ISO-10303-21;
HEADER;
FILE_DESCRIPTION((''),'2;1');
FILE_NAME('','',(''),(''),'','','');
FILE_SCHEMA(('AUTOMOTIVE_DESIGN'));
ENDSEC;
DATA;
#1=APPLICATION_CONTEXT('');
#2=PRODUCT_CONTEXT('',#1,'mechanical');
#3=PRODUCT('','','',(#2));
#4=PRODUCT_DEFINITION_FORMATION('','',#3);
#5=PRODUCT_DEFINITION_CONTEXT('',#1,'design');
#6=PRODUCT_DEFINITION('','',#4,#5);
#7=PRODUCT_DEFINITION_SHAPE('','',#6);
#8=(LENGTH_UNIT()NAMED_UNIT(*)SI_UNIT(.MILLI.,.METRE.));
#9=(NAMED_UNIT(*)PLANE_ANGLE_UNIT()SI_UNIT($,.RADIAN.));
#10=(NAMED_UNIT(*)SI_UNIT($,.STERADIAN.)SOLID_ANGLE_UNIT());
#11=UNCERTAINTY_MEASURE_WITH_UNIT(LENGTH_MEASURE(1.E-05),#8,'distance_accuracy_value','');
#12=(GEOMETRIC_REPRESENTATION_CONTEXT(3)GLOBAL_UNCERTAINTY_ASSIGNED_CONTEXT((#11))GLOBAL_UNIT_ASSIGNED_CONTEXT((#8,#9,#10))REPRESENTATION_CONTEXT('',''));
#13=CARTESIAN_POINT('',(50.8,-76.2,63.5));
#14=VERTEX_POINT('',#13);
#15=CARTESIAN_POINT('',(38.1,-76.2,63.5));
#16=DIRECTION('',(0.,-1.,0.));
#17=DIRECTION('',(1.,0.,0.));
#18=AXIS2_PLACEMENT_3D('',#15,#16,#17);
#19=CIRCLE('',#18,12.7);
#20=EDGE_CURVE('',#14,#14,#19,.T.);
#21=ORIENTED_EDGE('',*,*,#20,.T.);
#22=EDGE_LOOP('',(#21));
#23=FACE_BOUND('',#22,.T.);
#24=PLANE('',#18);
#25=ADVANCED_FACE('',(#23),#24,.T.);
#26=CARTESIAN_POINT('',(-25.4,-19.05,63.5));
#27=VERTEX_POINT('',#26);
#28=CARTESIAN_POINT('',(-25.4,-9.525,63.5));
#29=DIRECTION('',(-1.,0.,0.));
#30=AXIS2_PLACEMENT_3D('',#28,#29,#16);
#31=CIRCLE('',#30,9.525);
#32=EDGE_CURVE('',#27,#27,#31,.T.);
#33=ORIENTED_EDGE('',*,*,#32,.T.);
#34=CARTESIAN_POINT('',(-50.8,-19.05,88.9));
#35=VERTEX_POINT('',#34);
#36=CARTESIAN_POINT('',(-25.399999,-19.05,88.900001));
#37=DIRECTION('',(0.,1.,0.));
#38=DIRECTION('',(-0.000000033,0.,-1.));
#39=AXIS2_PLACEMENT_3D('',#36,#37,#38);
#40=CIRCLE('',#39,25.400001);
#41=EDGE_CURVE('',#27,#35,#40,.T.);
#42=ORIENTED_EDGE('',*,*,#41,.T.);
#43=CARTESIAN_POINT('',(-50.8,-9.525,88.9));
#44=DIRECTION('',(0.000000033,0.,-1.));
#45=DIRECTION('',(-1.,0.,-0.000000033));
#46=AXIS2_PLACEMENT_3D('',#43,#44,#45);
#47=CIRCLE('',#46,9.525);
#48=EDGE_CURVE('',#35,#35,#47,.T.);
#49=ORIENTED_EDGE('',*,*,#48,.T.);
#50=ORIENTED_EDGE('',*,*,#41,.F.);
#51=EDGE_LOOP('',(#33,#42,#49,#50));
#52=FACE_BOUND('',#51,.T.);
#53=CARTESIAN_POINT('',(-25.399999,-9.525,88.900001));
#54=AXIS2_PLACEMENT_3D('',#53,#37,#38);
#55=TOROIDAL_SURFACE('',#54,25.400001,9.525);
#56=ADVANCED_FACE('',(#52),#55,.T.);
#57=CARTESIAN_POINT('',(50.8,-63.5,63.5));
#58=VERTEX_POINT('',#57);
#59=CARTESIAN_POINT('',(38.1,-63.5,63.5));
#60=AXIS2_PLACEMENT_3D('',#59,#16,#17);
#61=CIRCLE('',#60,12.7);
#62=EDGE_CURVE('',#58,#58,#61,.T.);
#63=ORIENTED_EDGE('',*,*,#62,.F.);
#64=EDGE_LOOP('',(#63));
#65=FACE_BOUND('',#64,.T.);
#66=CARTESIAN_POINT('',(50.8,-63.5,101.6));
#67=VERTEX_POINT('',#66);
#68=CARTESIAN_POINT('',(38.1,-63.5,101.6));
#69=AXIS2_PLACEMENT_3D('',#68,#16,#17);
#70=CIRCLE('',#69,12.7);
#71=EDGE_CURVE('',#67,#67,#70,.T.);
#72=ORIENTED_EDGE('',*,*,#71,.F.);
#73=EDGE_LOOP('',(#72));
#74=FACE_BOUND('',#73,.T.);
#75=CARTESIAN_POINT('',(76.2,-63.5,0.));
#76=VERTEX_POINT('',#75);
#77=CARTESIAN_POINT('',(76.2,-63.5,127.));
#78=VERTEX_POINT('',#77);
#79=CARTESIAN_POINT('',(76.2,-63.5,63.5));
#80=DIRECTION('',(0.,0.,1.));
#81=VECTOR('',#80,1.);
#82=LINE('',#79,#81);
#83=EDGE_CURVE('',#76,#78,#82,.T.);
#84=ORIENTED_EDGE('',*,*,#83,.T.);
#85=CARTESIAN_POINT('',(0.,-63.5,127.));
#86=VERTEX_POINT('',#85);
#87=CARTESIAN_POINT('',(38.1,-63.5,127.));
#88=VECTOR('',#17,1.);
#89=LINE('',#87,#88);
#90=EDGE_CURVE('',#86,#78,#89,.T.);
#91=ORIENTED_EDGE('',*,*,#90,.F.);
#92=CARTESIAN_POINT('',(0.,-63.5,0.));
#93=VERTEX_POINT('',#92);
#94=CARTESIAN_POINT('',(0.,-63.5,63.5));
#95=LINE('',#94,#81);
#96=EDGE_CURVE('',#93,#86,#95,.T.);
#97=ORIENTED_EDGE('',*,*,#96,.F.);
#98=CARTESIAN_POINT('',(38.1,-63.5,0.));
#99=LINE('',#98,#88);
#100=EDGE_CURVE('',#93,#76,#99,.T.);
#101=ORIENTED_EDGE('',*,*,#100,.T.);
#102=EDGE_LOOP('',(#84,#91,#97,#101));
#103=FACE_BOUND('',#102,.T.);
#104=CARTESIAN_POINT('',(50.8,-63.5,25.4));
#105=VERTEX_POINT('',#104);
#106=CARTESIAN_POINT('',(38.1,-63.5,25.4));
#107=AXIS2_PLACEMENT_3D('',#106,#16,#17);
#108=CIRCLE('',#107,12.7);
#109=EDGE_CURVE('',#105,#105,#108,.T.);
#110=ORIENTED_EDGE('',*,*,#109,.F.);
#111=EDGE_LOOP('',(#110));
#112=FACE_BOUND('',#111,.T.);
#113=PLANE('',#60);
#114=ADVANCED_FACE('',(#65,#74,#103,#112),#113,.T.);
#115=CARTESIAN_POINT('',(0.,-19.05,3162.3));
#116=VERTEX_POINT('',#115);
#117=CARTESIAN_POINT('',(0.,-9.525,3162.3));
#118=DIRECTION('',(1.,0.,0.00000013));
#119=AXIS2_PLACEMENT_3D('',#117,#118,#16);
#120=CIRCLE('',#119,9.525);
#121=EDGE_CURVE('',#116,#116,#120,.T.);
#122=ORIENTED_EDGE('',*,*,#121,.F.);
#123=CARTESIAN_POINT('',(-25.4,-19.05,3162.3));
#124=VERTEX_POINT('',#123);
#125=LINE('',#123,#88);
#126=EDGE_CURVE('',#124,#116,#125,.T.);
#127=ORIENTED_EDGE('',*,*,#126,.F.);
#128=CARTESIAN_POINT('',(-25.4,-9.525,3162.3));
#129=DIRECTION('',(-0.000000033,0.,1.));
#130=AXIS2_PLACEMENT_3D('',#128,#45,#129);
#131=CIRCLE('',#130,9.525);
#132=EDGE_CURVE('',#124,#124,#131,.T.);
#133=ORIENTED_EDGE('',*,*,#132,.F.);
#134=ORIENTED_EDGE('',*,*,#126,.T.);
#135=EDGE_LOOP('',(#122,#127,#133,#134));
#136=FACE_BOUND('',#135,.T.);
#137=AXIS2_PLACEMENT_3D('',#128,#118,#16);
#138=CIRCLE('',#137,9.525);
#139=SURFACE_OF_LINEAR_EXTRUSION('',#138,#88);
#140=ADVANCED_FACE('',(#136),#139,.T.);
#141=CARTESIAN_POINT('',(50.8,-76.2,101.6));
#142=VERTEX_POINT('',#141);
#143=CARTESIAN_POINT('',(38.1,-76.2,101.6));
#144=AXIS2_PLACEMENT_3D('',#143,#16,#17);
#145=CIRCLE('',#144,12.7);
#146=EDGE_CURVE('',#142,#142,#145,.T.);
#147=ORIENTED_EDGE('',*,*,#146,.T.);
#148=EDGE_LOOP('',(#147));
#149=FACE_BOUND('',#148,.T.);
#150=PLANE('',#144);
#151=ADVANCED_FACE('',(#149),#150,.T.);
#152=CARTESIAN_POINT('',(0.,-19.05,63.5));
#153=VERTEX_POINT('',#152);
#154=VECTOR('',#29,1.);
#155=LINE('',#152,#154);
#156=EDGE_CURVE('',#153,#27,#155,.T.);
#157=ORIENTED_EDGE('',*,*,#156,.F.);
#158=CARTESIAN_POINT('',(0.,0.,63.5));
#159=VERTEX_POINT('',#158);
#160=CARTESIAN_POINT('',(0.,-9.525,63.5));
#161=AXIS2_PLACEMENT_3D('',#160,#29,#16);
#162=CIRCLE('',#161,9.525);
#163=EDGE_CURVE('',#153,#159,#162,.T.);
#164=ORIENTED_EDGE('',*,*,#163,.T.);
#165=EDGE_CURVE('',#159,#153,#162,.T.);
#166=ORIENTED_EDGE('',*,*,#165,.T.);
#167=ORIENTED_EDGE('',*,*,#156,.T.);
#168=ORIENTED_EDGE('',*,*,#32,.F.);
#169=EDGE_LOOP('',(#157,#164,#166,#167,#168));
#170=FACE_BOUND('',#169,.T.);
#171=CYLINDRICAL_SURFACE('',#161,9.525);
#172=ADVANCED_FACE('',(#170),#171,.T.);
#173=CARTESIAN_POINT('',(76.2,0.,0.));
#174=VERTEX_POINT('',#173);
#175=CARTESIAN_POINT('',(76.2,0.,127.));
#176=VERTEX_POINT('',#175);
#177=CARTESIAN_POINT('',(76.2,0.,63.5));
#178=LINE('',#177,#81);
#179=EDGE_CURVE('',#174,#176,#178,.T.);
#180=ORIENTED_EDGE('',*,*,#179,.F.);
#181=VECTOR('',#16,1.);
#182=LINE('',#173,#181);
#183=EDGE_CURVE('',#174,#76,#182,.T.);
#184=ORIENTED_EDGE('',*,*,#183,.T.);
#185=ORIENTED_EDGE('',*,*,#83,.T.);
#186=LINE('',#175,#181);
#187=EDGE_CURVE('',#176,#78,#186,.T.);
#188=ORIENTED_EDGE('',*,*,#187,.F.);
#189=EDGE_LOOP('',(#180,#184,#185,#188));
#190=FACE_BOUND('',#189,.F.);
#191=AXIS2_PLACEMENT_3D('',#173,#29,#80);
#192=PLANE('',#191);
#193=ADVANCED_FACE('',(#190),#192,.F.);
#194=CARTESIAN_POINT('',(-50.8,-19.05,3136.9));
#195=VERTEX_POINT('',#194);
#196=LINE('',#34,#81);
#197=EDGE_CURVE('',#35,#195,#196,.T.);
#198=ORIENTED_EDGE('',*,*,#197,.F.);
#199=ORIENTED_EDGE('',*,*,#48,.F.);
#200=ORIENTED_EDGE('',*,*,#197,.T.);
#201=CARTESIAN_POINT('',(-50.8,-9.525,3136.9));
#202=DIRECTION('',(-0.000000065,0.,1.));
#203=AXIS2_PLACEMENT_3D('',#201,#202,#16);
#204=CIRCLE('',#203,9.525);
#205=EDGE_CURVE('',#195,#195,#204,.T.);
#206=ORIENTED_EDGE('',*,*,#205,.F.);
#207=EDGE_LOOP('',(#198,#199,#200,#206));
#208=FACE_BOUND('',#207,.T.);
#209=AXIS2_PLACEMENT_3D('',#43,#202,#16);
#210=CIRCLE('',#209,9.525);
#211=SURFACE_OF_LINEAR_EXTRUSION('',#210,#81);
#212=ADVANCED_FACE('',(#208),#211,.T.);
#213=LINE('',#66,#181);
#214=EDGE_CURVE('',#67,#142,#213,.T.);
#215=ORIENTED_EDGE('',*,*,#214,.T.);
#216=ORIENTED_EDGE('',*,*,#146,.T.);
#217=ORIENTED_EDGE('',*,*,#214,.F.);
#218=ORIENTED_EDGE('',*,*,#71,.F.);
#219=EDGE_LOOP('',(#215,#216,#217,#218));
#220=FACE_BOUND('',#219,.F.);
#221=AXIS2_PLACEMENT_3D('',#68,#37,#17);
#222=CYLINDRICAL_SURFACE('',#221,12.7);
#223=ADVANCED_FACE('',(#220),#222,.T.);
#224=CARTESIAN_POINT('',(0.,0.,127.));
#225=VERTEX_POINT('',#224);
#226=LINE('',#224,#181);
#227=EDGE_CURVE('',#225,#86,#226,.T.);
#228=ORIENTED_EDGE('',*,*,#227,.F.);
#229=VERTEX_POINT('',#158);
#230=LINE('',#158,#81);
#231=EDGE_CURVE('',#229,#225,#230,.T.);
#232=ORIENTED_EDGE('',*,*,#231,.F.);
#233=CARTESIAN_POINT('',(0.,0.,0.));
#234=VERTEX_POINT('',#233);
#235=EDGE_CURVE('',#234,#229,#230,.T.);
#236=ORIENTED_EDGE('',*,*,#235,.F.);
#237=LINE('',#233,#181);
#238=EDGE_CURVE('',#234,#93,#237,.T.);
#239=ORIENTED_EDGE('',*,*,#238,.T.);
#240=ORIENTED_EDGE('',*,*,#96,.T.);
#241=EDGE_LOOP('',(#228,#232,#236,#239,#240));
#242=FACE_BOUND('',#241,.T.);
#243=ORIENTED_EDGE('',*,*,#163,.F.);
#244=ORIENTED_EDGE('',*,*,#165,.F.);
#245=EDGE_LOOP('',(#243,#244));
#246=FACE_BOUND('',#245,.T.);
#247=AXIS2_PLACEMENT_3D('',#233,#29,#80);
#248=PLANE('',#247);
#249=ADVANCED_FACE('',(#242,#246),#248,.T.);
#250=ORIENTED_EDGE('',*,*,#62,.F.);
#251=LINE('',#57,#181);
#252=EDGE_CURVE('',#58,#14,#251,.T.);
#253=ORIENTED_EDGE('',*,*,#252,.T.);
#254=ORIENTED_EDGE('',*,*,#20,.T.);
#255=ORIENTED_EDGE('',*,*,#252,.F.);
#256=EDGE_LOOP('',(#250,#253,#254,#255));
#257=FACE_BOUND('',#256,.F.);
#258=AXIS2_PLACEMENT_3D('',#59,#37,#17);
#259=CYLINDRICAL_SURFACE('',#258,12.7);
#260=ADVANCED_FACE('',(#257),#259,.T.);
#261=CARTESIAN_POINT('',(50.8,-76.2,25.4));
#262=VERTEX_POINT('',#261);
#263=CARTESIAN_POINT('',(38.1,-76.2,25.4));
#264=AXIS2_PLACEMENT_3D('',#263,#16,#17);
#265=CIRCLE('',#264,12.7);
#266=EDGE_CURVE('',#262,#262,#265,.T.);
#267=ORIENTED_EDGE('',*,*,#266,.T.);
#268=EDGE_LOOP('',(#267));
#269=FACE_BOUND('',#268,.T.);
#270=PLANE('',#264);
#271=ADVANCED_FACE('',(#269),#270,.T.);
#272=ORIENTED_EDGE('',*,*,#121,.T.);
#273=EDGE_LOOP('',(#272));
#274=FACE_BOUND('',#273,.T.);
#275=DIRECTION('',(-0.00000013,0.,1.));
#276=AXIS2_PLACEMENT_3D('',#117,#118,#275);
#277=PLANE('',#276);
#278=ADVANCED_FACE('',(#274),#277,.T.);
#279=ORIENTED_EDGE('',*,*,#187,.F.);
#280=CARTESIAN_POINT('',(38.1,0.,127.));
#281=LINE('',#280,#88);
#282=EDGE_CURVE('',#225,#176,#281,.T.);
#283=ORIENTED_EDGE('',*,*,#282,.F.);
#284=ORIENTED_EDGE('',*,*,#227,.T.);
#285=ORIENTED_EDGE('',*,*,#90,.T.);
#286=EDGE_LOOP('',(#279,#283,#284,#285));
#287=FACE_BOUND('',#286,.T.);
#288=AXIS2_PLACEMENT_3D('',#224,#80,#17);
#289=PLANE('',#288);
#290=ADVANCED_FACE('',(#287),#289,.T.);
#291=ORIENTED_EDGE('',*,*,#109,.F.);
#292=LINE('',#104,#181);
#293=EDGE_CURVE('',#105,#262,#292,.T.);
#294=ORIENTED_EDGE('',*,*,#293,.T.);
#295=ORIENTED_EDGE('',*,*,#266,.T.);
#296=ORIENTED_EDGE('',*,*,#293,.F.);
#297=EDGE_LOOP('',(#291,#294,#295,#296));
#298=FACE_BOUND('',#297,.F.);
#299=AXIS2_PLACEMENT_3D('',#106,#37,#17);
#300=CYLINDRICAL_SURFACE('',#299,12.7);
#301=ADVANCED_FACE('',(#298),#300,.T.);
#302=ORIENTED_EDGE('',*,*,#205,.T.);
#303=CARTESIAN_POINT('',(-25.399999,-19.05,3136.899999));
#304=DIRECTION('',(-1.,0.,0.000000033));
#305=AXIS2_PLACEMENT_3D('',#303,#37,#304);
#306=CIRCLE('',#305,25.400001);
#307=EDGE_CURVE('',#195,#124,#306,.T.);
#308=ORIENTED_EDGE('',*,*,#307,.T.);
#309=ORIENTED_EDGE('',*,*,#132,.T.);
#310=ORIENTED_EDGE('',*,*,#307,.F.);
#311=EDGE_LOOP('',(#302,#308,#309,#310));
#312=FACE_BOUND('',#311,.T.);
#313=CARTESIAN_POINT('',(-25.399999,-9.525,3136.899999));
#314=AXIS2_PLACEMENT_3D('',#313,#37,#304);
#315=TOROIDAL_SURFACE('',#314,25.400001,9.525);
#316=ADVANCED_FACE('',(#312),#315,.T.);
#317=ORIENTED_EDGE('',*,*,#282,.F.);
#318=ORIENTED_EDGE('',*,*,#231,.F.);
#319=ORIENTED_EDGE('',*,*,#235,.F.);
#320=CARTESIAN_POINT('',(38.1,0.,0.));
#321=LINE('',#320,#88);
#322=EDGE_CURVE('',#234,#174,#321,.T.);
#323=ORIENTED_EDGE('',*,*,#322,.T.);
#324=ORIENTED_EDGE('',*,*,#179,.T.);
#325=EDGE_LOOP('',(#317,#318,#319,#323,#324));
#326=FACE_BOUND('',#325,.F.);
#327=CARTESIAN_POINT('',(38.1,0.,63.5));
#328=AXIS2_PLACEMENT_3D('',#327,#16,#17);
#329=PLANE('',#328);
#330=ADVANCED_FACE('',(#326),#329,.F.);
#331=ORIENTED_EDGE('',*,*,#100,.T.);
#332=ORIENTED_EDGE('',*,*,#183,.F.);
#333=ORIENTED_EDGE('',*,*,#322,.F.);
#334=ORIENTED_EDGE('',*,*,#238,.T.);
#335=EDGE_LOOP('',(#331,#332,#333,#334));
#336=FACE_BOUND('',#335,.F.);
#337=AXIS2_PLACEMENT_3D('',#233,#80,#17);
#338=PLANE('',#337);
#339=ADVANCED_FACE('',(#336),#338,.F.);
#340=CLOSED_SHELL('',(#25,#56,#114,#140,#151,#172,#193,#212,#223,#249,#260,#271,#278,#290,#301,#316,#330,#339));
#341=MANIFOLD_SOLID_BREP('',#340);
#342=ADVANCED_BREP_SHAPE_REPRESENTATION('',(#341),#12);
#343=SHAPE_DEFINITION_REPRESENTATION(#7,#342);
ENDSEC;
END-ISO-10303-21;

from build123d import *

# Parameters (mm, degrees)
F0_W     = 76.2
F0_H     = 127
F1_DEPTH = 63.5
F2_R     = 12.7
F3_DEPTH = 12.7


with BuildPart() as f1:
    # F0 (on Front) → F1 (new body)
    with BuildSketch(Plane.XZ):
        with Locations((38.1, 63.5)):
            Rectangle(F0_W, F0_H)
    extrude(amount=F1_DEPTH)

    # F2 (on face) → F3 (join)
    with BuildSketch(Plane.XZ.offset(63.5)):
        with Locations((38.1, 25.4)):
            Circle(F2_R)
        with Locations((38.1, 101.6)):
            Circle(F2_R)
        with Locations((38.1, 63.5)):
            Circle(F2_R)
    extrude(amount=F3_DEPTH)

    # F7: sweep along a path in F5
    with BuildLine(Plane.XZ.offset(9.525)) as f7_path:
        Line((0, 63.5), (-25.4, 63.5))
        ThreePointArc((-25.4, 63.5), (-43.360512, 70.939488), (-50.8, 88.9))
        Line((-50.8, 88.9), (-50.8, 3136.9))
        ThreePointArc((-50.8, 3136.9), (-43.360512, 3154.860512), (-25.4, 3162.3))
        Line((-25.4, 3162.3), (0, 3162.3))
    # F6 (on face) → F7 (sweep)
    with BuildSketch(Plane(origin=(0, 0, 0), x_dir=(0, -1, 0), z_dir=(-1, 0, 0))):
        with BuildLine():
            ThreePointArc((0, 63.5), (9.525, 53.975), (19.05, 63.5))
            ThreePointArc((19.05, 63.5), (9.525, 73.025), (0, 63.5))
        make_face()
    sweep(path=f7_path.line)


solid = f1.part
